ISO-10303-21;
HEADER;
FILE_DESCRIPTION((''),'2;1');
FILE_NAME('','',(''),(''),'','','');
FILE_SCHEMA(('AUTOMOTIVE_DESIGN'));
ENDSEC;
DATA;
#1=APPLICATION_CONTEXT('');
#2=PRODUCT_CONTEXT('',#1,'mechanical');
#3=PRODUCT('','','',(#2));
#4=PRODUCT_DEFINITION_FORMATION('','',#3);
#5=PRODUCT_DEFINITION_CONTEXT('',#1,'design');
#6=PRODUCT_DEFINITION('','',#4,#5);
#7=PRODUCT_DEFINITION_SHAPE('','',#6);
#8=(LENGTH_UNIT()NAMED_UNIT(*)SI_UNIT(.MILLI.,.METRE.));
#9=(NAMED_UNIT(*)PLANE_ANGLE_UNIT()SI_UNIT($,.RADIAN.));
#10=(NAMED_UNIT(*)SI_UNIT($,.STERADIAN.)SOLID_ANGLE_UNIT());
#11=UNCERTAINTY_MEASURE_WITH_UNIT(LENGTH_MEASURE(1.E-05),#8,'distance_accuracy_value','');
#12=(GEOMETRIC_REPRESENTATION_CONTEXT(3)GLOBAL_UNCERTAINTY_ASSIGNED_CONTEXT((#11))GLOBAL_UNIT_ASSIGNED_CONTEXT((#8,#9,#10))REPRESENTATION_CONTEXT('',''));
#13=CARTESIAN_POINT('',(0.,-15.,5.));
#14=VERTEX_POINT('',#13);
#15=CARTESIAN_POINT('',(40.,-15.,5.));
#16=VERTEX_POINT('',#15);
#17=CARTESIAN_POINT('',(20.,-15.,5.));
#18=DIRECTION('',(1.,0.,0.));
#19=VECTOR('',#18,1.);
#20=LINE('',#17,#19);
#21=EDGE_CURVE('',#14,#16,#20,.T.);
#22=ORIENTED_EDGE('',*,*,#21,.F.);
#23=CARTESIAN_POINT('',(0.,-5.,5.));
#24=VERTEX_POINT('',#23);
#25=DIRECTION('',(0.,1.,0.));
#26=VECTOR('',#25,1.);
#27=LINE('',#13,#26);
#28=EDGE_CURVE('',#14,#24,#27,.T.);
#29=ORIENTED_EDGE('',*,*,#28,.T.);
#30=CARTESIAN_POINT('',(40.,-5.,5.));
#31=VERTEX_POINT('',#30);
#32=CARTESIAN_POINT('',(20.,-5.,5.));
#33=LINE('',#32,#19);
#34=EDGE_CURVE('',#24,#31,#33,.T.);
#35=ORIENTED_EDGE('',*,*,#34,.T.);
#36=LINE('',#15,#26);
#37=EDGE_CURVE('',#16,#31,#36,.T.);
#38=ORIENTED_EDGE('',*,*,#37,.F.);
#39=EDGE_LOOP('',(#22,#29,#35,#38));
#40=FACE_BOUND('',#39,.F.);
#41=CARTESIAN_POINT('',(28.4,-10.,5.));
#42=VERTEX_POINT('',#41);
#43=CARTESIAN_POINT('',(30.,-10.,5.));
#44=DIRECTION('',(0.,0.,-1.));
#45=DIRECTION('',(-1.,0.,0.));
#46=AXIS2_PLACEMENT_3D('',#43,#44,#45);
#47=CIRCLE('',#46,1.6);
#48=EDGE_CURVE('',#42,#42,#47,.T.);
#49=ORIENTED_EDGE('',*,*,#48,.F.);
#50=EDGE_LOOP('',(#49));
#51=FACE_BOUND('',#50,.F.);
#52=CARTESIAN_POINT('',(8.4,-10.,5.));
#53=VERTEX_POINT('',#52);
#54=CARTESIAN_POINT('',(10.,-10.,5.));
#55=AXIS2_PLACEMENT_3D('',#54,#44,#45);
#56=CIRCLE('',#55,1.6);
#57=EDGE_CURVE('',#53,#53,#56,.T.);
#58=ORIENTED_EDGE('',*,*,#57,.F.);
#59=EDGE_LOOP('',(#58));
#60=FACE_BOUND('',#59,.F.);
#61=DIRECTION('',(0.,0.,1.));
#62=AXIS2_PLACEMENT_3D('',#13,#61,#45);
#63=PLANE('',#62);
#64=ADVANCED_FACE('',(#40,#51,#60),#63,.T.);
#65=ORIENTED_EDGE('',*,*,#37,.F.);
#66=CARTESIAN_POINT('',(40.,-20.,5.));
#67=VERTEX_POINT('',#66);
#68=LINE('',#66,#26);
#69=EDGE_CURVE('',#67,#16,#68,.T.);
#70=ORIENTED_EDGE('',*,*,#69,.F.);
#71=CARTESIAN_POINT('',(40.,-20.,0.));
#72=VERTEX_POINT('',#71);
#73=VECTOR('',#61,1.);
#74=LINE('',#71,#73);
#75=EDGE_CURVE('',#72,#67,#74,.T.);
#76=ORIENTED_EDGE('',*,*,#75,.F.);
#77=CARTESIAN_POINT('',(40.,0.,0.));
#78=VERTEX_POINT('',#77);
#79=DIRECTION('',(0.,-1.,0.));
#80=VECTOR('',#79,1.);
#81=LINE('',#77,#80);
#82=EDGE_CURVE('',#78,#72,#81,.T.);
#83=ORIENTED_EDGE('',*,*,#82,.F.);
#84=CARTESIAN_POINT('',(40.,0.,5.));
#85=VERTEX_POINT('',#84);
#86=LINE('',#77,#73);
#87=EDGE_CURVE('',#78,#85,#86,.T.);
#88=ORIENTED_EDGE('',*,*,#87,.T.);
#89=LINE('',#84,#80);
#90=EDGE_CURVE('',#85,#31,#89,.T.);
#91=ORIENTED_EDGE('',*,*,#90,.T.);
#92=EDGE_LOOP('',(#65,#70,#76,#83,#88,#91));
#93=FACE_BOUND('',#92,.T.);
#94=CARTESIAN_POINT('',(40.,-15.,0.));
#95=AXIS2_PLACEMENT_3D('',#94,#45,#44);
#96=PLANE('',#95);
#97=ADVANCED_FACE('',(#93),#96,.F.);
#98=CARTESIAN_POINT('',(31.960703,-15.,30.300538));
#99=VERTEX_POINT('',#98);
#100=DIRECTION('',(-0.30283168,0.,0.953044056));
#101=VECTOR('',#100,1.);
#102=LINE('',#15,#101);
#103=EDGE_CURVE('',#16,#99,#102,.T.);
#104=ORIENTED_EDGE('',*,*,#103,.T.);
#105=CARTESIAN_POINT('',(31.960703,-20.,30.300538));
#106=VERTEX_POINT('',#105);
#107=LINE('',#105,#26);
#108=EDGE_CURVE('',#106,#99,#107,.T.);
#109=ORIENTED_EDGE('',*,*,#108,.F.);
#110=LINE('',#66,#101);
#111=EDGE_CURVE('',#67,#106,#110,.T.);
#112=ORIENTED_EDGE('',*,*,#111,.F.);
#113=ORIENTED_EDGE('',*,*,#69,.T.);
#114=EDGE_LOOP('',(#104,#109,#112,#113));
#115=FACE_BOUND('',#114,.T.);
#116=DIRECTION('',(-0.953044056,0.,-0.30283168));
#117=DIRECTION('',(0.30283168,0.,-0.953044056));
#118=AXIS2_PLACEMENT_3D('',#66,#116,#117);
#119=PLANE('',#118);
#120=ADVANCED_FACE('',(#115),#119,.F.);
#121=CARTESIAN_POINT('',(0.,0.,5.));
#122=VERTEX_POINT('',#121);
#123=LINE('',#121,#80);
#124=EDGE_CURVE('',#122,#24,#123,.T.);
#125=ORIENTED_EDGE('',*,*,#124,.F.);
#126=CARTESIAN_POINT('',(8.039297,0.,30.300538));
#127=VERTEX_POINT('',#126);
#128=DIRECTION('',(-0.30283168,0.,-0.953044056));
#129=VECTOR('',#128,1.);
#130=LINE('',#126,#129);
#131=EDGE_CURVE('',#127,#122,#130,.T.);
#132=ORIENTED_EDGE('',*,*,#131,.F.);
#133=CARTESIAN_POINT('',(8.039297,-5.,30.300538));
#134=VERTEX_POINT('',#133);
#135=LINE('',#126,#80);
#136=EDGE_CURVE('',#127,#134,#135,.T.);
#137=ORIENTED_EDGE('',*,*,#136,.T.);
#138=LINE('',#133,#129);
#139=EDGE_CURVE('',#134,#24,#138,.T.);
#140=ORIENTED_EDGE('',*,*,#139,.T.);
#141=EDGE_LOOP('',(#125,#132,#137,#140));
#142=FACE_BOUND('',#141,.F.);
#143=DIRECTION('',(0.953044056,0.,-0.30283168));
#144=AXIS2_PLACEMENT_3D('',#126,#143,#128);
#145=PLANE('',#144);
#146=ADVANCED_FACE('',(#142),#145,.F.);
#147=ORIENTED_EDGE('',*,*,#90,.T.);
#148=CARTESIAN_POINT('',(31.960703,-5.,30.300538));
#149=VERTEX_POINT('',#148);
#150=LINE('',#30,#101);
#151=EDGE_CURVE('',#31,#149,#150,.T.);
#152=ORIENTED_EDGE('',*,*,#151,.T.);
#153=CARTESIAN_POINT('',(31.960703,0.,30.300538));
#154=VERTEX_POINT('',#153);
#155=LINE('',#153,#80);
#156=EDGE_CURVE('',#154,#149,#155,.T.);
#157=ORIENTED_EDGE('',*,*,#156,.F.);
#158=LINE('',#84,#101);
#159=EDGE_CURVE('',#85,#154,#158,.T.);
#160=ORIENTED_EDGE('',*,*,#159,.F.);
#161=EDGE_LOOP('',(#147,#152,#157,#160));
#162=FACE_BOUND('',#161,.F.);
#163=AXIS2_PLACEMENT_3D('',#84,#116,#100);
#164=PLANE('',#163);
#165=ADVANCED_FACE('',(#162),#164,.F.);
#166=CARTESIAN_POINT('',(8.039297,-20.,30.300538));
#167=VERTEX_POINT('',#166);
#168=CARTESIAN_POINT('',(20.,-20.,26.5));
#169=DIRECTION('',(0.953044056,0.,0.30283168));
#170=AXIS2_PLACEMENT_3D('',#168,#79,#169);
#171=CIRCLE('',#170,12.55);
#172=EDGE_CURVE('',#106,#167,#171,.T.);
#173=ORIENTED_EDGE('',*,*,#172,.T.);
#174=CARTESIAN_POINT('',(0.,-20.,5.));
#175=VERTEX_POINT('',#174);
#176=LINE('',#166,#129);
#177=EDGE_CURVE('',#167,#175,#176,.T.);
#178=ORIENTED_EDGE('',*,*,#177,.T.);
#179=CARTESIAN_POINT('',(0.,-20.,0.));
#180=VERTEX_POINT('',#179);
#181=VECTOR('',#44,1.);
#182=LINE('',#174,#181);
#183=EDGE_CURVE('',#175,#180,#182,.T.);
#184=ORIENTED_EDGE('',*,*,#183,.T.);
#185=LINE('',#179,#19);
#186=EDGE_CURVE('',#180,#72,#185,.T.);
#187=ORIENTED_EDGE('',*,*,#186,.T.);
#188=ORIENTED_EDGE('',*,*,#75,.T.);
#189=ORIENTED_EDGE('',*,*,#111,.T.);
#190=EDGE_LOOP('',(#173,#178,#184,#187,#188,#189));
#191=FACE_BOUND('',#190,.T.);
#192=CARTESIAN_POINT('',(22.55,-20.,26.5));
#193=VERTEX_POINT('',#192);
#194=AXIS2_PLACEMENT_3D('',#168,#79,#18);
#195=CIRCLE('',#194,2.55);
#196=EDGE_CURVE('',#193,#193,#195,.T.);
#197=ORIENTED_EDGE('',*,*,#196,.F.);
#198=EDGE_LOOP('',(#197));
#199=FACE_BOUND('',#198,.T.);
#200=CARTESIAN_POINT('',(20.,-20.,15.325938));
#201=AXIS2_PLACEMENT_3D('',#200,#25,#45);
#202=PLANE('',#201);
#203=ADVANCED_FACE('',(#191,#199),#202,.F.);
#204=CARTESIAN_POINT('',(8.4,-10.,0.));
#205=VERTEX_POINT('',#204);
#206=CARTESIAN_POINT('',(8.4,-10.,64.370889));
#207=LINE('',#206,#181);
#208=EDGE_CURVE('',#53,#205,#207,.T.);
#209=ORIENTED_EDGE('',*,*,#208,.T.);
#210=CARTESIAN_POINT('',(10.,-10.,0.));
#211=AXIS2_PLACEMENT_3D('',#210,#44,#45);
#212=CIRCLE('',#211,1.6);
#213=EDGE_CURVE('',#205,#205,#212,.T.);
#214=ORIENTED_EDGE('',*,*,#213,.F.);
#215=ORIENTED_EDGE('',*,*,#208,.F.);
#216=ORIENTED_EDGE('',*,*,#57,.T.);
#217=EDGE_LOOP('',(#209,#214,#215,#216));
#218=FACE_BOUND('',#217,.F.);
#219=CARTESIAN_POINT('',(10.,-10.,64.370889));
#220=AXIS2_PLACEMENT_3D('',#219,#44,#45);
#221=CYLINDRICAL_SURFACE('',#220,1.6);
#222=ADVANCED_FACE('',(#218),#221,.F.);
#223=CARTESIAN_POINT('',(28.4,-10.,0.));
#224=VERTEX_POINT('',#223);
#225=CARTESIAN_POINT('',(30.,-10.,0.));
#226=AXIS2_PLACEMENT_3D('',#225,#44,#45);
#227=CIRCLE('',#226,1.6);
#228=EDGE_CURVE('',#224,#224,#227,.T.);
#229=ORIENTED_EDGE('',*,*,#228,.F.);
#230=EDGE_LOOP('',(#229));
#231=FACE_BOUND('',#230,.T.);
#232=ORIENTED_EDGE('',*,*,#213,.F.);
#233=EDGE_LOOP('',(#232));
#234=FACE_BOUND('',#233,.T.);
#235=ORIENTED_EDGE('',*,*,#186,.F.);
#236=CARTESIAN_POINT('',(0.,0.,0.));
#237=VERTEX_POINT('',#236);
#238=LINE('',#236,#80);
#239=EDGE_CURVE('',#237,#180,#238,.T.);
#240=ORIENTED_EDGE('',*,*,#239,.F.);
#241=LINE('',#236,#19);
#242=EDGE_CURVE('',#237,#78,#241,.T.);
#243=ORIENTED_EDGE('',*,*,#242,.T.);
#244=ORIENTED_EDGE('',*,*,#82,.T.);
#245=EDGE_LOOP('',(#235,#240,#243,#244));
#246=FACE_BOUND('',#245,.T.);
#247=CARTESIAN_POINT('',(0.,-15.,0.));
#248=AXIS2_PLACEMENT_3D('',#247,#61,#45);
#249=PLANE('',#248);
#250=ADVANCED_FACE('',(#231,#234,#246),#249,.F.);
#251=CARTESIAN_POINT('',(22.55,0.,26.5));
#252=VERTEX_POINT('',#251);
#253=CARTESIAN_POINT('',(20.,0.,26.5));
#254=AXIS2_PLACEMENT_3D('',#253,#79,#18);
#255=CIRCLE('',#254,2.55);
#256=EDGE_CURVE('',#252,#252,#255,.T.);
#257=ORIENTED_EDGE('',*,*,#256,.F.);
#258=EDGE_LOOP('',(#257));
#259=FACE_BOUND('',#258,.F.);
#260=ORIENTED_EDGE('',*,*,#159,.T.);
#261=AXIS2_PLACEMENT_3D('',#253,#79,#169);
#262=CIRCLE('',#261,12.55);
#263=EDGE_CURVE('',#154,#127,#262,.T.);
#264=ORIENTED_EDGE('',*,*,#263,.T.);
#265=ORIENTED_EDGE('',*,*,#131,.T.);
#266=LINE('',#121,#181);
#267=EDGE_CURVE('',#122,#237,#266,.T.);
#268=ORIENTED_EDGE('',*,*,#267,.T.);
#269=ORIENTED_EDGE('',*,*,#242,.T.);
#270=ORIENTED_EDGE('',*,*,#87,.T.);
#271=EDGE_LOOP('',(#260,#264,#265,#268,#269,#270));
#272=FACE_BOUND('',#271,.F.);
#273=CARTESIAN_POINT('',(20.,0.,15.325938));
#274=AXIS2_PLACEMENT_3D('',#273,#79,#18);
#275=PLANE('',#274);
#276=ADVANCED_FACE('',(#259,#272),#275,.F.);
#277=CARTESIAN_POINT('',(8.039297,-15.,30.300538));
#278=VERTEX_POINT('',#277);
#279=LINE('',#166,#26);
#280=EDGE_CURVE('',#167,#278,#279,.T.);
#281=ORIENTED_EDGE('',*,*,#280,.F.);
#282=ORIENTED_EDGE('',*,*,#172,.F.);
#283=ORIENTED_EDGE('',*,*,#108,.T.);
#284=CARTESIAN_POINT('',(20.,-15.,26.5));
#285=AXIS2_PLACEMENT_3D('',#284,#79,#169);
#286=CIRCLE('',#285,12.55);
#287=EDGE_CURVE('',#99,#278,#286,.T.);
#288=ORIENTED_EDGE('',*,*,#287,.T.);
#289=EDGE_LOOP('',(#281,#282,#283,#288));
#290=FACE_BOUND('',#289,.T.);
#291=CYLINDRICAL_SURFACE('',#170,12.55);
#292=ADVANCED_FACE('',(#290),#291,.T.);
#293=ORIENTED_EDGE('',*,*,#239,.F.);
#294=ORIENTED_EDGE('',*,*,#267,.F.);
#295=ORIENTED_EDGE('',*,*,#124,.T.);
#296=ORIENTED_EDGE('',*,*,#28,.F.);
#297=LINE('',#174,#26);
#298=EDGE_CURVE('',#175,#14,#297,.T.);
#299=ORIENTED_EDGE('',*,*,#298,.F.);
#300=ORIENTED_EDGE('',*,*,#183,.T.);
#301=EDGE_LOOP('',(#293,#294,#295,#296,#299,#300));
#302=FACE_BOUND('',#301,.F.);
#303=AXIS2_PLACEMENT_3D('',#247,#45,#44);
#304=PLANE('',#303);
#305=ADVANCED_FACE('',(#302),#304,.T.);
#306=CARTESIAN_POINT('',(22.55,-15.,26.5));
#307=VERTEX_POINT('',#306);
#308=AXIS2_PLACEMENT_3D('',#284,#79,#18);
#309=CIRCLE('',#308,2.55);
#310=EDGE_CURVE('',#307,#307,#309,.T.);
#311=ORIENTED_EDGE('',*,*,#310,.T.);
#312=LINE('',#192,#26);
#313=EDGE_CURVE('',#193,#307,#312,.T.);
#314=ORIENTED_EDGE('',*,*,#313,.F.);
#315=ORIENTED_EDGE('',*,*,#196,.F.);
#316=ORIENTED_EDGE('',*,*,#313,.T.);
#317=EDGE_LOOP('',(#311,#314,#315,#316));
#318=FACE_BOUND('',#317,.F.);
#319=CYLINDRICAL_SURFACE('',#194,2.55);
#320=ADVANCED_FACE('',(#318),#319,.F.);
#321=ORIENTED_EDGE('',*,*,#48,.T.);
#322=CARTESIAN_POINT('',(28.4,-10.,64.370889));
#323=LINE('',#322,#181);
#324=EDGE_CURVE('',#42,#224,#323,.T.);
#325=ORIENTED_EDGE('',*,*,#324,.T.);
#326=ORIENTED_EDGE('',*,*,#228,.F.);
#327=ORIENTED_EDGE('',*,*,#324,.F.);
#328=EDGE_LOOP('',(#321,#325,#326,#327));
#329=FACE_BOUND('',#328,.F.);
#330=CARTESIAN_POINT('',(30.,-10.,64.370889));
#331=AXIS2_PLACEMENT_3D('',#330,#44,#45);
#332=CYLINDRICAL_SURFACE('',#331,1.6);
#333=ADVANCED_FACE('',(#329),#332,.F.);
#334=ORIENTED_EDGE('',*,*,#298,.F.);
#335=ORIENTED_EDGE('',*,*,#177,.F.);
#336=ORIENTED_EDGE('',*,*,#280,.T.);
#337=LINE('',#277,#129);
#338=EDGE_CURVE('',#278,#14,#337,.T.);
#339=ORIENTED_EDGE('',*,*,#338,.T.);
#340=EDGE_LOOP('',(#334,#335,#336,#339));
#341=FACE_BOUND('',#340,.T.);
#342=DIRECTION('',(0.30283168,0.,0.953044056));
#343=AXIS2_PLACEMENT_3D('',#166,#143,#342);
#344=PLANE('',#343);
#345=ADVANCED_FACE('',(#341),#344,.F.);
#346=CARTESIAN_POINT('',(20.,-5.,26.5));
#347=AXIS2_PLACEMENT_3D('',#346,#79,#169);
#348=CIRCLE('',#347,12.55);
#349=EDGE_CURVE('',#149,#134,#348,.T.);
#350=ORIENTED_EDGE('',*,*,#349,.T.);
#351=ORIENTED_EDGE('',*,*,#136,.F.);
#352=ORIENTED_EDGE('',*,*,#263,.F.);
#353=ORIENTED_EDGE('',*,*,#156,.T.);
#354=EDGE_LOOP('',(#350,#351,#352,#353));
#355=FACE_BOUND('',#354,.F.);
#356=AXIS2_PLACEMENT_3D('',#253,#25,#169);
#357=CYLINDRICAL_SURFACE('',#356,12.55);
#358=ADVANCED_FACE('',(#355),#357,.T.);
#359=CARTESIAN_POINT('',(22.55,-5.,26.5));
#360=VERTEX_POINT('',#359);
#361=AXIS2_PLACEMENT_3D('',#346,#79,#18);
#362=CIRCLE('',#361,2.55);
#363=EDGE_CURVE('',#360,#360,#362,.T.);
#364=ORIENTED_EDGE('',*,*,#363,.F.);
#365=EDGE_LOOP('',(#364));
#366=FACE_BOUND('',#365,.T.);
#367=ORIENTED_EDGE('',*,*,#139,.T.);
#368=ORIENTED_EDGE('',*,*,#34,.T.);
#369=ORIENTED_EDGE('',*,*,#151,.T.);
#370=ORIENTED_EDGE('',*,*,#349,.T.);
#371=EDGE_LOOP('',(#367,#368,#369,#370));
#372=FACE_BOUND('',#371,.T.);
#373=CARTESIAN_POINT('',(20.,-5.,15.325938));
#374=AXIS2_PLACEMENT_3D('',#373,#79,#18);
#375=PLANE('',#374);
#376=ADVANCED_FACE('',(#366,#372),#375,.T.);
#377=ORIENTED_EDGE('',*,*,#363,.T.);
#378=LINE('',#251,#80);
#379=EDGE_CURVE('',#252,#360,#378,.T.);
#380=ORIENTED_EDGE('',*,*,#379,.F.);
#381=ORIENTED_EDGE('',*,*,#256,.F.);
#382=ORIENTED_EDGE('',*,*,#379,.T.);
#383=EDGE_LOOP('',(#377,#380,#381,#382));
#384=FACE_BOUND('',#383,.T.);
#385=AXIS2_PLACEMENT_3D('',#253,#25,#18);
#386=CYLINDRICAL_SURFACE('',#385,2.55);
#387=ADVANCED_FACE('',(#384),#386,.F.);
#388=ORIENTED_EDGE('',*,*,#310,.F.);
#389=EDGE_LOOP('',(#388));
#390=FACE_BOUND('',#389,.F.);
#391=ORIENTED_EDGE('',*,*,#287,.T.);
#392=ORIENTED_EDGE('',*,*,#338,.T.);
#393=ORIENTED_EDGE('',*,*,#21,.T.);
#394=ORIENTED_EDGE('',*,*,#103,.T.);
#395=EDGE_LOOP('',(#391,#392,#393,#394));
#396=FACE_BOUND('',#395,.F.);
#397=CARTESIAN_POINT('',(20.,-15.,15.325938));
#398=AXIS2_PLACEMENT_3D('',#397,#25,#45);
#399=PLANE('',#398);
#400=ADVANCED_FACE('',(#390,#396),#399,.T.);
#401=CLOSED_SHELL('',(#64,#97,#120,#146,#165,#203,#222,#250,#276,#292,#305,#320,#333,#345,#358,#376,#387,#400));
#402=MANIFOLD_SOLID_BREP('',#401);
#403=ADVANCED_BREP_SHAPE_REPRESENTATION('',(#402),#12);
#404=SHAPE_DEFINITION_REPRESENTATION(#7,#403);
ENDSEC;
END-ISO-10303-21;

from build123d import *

# Parameters (mm, degrees)
F3_R     = 2.55
F4_DEPTH = 5
F0_W     = 40
F0_H     = 5
F5_DEPTH = 5
F6_D     = 3.2


with BuildPart() as f4:
    # F3 (on Front) → F4 (new body)
    with BuildSketch(Plane.XZ):
        with BuildLine():
            Line((0, 5), (0, 0))
            Line((0, 0), (40, 0))
            Line((40, 0), (40, 5))
            Line((40, 5), (31.9607029074, 30.3005375883))
            ThreePointArc((31.9607029074, 30.3005375883), (20, 39.05), (8.0392970926, 30.3005375883))
            Line((8.0392970926, 30.3005375883), (0, 5))
        make_face()
        with Locations((20, 26.5)):
            Circle(F3_R, mode=Mode.SUBTRACT)
    extrude(amount=F4_DEPTH)

    # F0 (on face) → F5 (join)
    with BuildSketch(Plane.XZ.offset(5)):
        with Locations((20, 2.5)):
            Rectangle(F0_W, F0_H)
    extrude(amount=F5_DEPTH)

    # F1: F4 across face


with BuildPart() as f4_1:
    add(f4.part)
    add(f4.part.mirror(Plane(origin=(20, -10, 2.5), x_dir=(1, 0, 0), z_dir=(0, -1, 0))))

    # F6 (through all)
    with Locations(Plane.XY.offset(5)):
        with Locations((10, -10), (30, -10)):
            Hole(F6_D / 2)


solid = f4_1.part
